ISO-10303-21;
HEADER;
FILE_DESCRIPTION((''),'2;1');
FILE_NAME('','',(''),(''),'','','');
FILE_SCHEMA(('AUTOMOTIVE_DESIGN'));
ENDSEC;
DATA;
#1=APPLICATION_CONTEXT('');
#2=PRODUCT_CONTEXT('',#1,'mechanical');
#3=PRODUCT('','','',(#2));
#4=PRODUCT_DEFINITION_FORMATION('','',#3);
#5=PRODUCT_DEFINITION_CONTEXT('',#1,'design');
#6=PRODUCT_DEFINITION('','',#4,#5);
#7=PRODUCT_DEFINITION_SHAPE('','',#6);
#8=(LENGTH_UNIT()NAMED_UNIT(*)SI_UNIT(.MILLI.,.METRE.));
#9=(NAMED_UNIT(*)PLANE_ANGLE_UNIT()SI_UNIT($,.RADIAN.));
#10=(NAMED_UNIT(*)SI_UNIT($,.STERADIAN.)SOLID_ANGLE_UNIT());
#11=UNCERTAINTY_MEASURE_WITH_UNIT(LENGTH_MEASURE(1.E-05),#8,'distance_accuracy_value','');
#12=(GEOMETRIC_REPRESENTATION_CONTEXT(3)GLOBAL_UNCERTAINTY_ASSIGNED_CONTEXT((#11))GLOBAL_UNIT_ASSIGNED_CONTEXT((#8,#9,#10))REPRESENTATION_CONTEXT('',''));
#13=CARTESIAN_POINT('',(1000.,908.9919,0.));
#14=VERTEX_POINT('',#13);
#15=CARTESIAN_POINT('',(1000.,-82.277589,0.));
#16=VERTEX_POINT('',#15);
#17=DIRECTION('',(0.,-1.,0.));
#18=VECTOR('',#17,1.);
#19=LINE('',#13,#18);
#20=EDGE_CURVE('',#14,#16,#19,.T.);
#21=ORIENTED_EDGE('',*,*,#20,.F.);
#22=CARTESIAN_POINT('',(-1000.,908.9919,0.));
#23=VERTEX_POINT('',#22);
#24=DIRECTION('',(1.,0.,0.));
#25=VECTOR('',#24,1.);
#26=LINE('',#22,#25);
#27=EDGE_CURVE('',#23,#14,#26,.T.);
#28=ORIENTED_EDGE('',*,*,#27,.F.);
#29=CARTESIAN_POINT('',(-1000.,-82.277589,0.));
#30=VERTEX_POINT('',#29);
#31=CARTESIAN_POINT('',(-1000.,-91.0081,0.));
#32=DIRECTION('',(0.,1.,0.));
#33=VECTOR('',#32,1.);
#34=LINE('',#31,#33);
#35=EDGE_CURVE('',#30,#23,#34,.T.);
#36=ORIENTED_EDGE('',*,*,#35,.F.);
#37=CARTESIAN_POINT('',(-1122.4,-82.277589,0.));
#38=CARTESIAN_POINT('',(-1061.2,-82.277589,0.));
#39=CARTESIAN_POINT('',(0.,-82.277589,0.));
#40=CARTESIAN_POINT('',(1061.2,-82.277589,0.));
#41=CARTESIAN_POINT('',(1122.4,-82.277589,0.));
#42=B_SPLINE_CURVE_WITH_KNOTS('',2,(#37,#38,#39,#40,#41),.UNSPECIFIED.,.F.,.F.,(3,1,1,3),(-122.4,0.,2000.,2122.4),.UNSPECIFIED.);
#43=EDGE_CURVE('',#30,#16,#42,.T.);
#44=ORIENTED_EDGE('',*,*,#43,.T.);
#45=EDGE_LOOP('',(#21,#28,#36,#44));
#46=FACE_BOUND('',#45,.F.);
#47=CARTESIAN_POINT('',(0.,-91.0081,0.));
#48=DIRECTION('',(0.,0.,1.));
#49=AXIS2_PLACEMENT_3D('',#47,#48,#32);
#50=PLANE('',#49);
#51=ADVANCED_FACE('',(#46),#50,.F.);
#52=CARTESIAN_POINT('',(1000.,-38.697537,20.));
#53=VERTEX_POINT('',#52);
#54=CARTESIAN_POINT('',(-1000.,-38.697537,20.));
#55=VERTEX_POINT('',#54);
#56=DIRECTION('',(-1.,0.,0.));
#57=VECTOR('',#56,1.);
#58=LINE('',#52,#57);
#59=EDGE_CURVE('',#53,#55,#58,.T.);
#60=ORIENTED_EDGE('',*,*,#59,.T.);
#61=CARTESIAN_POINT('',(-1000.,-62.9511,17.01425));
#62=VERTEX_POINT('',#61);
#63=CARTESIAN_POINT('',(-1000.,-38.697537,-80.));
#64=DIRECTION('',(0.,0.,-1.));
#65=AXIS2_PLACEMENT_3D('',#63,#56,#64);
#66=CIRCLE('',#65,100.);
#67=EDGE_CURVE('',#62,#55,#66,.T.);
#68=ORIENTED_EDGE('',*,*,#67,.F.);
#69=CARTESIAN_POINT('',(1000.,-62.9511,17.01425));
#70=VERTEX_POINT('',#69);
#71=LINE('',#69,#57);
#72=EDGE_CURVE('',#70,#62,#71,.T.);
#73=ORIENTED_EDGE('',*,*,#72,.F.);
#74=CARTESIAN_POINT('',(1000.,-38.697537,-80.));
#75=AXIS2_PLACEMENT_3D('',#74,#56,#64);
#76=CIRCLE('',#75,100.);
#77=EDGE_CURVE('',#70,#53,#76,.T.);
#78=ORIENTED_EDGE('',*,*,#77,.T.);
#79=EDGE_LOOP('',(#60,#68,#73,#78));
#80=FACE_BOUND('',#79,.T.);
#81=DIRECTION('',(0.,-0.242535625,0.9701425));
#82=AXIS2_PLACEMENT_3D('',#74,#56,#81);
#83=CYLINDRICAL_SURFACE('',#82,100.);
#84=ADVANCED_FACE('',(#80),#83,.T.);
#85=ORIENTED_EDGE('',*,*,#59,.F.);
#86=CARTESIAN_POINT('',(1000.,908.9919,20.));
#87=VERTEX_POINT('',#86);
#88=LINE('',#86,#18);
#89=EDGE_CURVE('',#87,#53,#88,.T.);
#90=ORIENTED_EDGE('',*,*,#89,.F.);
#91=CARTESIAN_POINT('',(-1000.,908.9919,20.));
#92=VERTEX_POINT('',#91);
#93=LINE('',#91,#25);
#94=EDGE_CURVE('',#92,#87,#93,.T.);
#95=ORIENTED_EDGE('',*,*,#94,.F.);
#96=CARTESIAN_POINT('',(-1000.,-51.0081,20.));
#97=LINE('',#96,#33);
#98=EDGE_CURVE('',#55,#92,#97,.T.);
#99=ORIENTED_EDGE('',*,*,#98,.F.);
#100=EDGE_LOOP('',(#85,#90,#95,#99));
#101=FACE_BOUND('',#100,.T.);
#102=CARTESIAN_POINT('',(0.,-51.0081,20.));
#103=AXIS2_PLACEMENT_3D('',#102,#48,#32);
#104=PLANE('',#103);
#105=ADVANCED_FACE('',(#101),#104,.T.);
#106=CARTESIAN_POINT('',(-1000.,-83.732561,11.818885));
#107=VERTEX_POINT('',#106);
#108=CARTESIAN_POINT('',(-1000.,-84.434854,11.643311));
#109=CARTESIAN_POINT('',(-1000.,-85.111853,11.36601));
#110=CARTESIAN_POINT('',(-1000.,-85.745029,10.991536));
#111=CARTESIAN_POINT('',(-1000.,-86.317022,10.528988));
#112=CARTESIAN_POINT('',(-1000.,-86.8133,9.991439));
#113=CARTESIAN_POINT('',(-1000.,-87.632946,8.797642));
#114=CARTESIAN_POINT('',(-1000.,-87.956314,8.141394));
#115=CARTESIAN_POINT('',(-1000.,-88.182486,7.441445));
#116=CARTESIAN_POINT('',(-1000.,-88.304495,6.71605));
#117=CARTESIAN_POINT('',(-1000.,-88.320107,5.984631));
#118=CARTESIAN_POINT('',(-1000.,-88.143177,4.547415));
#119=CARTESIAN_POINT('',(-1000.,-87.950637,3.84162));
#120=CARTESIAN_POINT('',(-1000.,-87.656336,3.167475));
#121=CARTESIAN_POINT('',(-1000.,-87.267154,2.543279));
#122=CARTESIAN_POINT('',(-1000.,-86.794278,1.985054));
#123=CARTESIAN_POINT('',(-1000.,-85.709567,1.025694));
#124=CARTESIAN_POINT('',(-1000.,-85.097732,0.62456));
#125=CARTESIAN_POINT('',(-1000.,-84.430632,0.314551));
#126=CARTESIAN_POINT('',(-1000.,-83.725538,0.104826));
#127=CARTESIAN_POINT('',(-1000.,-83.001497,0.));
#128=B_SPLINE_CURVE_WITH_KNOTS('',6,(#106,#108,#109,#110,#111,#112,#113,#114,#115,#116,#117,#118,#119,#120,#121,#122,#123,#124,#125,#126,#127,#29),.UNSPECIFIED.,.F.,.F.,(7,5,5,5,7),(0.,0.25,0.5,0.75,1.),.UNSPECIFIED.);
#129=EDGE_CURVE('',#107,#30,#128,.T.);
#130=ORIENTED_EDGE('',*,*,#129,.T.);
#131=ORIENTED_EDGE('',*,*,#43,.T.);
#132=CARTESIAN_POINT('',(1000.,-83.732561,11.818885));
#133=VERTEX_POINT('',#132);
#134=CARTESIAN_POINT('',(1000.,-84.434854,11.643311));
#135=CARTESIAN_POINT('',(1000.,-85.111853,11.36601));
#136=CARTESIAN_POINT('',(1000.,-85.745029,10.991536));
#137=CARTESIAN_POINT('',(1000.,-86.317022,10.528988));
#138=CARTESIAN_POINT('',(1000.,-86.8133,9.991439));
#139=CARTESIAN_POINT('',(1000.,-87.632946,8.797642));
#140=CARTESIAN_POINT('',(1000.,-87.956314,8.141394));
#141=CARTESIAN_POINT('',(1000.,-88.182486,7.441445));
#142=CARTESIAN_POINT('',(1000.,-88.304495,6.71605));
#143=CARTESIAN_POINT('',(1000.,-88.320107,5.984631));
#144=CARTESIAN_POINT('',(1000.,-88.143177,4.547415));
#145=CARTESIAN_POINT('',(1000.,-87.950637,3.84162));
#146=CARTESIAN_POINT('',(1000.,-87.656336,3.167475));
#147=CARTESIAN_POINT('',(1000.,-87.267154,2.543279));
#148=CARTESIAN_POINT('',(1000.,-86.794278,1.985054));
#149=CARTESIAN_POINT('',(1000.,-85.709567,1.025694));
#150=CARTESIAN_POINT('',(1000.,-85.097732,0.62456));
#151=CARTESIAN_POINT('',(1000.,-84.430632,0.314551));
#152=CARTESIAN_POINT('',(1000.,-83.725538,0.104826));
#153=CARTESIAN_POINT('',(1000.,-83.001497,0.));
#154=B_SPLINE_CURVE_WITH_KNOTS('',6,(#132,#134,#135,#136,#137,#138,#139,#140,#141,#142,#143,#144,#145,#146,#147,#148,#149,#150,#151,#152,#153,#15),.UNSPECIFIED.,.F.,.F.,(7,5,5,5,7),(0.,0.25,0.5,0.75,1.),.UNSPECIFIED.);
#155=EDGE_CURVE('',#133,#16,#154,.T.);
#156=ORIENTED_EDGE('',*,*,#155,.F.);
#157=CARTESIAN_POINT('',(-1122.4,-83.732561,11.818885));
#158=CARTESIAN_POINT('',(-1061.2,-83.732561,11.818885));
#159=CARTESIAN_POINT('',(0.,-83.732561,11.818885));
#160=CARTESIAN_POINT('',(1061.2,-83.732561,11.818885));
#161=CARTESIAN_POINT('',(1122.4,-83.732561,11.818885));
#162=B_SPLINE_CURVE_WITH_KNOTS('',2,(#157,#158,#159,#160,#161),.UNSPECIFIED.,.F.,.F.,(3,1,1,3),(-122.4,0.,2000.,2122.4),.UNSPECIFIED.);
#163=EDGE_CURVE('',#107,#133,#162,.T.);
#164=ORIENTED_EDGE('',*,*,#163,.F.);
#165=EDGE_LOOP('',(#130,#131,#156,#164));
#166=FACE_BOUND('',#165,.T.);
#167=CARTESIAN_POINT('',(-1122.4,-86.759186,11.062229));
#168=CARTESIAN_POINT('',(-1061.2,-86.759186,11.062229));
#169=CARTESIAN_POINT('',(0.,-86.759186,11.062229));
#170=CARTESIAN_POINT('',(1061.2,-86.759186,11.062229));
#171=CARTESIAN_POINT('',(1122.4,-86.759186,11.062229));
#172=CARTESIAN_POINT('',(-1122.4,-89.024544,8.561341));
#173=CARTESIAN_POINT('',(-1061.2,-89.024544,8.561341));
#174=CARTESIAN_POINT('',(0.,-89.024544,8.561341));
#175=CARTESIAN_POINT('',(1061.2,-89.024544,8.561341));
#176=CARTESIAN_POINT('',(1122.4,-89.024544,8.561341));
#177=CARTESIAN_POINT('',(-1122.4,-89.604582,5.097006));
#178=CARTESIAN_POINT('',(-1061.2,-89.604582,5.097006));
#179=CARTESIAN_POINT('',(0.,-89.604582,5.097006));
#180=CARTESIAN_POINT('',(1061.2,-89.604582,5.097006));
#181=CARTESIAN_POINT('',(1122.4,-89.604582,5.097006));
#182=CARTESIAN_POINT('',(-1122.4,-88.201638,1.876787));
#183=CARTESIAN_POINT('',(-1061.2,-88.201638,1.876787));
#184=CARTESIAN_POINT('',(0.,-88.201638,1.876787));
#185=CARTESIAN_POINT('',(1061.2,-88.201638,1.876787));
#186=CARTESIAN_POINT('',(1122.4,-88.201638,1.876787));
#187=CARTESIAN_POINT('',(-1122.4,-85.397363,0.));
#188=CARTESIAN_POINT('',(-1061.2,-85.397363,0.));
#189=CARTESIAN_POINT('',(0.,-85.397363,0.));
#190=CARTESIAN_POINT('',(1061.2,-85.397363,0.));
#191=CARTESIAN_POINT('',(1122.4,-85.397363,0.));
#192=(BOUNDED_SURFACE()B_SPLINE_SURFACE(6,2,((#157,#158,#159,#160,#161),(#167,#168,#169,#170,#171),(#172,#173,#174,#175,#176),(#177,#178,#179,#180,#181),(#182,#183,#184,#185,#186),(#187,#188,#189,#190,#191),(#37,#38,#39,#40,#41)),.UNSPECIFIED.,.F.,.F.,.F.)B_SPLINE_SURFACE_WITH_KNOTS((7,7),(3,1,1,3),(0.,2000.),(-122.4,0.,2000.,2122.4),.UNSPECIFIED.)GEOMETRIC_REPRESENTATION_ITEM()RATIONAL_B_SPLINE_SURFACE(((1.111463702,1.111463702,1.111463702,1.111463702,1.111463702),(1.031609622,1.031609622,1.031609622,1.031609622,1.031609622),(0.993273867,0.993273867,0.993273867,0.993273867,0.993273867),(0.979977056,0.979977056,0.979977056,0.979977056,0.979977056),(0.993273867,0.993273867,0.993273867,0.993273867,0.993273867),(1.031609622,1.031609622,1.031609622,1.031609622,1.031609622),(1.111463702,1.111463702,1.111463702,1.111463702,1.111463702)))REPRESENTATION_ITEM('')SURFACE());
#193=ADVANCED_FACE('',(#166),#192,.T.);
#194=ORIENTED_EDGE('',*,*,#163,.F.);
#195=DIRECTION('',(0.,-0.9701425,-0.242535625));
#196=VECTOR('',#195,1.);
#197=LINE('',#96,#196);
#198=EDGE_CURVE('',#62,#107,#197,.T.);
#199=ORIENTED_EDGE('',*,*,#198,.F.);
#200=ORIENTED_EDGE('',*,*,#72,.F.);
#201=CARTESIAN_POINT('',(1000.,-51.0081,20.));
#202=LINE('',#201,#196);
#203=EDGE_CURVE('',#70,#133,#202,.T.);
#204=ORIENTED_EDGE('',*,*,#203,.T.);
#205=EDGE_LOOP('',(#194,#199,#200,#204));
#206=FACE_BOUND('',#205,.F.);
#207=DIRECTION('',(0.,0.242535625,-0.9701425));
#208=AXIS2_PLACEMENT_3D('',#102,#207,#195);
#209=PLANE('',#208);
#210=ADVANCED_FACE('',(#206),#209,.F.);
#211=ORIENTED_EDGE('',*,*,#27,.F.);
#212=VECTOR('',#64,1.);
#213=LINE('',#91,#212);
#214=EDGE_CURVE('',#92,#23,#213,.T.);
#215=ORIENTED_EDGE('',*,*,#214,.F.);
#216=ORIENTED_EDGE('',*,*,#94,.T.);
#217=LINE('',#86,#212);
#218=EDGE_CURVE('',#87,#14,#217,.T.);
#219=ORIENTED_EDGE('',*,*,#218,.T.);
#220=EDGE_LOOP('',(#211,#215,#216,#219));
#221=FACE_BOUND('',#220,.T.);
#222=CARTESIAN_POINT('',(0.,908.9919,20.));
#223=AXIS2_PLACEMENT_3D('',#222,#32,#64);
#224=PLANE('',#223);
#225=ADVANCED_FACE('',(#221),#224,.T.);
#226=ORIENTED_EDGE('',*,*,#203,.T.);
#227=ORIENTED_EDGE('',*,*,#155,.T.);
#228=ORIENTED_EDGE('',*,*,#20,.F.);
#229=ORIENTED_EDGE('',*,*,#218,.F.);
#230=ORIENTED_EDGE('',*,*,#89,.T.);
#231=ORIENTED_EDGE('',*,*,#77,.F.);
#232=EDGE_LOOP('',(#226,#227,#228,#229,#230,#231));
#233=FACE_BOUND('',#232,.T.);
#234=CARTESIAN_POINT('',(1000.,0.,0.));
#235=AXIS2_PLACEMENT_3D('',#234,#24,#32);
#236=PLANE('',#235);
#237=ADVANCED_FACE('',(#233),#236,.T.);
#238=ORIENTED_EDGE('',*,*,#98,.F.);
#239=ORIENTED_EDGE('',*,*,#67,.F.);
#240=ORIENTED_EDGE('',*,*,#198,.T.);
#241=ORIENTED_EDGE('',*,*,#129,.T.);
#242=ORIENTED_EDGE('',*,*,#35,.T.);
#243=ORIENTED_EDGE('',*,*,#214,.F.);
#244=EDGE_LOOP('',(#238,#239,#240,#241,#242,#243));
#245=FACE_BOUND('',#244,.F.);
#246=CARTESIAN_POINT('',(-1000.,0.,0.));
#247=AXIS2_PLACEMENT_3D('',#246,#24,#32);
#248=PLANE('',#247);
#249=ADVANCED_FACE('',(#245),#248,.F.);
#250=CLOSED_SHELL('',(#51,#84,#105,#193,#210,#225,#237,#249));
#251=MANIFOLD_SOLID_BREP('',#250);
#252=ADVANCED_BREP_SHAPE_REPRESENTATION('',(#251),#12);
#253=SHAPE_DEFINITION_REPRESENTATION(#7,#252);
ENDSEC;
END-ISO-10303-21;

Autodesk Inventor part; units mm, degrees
ref_plane "YZ Plane" through (0, 0, 0) normal (1, 0, 0) x (0, 1, 0)
ref_plane "XZ Plane" through (0, 0, 0) normal (0, 1, 0) x (-1, 0, 0)
ref_plane "XY Plane" through (0, 0, 0) normal (0, 0, 1) x (1, 0, 0)
sketch "Skizze1" plane through (0, 0, 0) normal (1, 0, 0) x (0, 1, 0)
  line L0 (-291.0081, 0) -> (1108.9919, 0) projected
  line L1 (0, -4) -> (0, 24) projected
  line L2 (-91.0081, 20) -> (908.9919, 20)
  line L3 (908.9919, 20) -> (908.9919, 0)
  line L4 (908.9919, 0) -> (-91.0081, 0)
  line L5 (-91.0081, 0) -> (-91.0081, 20)
  line L6 (-51.0081, 20) -> (-91.0081, 10)
  dimension "d0" = 20
  dimension "d1" = 1000
  dimension "d2" = 40
  dimension "d3" = 10
extrude "Extrusion1" add sketch "Skizze1" along normal mid plane 2000 contours L5 L6 L2 L1 L0 | L1 L2 L3 L0
fillet "Rundung1" radius 100 1 edges at (0, -51.0081, 20)
fillet "Rundung2" radius 6 2 edges at (0, -91.0081, 10) (0, -91.0081, 0)
properties part number "Arbeitsplatte"
